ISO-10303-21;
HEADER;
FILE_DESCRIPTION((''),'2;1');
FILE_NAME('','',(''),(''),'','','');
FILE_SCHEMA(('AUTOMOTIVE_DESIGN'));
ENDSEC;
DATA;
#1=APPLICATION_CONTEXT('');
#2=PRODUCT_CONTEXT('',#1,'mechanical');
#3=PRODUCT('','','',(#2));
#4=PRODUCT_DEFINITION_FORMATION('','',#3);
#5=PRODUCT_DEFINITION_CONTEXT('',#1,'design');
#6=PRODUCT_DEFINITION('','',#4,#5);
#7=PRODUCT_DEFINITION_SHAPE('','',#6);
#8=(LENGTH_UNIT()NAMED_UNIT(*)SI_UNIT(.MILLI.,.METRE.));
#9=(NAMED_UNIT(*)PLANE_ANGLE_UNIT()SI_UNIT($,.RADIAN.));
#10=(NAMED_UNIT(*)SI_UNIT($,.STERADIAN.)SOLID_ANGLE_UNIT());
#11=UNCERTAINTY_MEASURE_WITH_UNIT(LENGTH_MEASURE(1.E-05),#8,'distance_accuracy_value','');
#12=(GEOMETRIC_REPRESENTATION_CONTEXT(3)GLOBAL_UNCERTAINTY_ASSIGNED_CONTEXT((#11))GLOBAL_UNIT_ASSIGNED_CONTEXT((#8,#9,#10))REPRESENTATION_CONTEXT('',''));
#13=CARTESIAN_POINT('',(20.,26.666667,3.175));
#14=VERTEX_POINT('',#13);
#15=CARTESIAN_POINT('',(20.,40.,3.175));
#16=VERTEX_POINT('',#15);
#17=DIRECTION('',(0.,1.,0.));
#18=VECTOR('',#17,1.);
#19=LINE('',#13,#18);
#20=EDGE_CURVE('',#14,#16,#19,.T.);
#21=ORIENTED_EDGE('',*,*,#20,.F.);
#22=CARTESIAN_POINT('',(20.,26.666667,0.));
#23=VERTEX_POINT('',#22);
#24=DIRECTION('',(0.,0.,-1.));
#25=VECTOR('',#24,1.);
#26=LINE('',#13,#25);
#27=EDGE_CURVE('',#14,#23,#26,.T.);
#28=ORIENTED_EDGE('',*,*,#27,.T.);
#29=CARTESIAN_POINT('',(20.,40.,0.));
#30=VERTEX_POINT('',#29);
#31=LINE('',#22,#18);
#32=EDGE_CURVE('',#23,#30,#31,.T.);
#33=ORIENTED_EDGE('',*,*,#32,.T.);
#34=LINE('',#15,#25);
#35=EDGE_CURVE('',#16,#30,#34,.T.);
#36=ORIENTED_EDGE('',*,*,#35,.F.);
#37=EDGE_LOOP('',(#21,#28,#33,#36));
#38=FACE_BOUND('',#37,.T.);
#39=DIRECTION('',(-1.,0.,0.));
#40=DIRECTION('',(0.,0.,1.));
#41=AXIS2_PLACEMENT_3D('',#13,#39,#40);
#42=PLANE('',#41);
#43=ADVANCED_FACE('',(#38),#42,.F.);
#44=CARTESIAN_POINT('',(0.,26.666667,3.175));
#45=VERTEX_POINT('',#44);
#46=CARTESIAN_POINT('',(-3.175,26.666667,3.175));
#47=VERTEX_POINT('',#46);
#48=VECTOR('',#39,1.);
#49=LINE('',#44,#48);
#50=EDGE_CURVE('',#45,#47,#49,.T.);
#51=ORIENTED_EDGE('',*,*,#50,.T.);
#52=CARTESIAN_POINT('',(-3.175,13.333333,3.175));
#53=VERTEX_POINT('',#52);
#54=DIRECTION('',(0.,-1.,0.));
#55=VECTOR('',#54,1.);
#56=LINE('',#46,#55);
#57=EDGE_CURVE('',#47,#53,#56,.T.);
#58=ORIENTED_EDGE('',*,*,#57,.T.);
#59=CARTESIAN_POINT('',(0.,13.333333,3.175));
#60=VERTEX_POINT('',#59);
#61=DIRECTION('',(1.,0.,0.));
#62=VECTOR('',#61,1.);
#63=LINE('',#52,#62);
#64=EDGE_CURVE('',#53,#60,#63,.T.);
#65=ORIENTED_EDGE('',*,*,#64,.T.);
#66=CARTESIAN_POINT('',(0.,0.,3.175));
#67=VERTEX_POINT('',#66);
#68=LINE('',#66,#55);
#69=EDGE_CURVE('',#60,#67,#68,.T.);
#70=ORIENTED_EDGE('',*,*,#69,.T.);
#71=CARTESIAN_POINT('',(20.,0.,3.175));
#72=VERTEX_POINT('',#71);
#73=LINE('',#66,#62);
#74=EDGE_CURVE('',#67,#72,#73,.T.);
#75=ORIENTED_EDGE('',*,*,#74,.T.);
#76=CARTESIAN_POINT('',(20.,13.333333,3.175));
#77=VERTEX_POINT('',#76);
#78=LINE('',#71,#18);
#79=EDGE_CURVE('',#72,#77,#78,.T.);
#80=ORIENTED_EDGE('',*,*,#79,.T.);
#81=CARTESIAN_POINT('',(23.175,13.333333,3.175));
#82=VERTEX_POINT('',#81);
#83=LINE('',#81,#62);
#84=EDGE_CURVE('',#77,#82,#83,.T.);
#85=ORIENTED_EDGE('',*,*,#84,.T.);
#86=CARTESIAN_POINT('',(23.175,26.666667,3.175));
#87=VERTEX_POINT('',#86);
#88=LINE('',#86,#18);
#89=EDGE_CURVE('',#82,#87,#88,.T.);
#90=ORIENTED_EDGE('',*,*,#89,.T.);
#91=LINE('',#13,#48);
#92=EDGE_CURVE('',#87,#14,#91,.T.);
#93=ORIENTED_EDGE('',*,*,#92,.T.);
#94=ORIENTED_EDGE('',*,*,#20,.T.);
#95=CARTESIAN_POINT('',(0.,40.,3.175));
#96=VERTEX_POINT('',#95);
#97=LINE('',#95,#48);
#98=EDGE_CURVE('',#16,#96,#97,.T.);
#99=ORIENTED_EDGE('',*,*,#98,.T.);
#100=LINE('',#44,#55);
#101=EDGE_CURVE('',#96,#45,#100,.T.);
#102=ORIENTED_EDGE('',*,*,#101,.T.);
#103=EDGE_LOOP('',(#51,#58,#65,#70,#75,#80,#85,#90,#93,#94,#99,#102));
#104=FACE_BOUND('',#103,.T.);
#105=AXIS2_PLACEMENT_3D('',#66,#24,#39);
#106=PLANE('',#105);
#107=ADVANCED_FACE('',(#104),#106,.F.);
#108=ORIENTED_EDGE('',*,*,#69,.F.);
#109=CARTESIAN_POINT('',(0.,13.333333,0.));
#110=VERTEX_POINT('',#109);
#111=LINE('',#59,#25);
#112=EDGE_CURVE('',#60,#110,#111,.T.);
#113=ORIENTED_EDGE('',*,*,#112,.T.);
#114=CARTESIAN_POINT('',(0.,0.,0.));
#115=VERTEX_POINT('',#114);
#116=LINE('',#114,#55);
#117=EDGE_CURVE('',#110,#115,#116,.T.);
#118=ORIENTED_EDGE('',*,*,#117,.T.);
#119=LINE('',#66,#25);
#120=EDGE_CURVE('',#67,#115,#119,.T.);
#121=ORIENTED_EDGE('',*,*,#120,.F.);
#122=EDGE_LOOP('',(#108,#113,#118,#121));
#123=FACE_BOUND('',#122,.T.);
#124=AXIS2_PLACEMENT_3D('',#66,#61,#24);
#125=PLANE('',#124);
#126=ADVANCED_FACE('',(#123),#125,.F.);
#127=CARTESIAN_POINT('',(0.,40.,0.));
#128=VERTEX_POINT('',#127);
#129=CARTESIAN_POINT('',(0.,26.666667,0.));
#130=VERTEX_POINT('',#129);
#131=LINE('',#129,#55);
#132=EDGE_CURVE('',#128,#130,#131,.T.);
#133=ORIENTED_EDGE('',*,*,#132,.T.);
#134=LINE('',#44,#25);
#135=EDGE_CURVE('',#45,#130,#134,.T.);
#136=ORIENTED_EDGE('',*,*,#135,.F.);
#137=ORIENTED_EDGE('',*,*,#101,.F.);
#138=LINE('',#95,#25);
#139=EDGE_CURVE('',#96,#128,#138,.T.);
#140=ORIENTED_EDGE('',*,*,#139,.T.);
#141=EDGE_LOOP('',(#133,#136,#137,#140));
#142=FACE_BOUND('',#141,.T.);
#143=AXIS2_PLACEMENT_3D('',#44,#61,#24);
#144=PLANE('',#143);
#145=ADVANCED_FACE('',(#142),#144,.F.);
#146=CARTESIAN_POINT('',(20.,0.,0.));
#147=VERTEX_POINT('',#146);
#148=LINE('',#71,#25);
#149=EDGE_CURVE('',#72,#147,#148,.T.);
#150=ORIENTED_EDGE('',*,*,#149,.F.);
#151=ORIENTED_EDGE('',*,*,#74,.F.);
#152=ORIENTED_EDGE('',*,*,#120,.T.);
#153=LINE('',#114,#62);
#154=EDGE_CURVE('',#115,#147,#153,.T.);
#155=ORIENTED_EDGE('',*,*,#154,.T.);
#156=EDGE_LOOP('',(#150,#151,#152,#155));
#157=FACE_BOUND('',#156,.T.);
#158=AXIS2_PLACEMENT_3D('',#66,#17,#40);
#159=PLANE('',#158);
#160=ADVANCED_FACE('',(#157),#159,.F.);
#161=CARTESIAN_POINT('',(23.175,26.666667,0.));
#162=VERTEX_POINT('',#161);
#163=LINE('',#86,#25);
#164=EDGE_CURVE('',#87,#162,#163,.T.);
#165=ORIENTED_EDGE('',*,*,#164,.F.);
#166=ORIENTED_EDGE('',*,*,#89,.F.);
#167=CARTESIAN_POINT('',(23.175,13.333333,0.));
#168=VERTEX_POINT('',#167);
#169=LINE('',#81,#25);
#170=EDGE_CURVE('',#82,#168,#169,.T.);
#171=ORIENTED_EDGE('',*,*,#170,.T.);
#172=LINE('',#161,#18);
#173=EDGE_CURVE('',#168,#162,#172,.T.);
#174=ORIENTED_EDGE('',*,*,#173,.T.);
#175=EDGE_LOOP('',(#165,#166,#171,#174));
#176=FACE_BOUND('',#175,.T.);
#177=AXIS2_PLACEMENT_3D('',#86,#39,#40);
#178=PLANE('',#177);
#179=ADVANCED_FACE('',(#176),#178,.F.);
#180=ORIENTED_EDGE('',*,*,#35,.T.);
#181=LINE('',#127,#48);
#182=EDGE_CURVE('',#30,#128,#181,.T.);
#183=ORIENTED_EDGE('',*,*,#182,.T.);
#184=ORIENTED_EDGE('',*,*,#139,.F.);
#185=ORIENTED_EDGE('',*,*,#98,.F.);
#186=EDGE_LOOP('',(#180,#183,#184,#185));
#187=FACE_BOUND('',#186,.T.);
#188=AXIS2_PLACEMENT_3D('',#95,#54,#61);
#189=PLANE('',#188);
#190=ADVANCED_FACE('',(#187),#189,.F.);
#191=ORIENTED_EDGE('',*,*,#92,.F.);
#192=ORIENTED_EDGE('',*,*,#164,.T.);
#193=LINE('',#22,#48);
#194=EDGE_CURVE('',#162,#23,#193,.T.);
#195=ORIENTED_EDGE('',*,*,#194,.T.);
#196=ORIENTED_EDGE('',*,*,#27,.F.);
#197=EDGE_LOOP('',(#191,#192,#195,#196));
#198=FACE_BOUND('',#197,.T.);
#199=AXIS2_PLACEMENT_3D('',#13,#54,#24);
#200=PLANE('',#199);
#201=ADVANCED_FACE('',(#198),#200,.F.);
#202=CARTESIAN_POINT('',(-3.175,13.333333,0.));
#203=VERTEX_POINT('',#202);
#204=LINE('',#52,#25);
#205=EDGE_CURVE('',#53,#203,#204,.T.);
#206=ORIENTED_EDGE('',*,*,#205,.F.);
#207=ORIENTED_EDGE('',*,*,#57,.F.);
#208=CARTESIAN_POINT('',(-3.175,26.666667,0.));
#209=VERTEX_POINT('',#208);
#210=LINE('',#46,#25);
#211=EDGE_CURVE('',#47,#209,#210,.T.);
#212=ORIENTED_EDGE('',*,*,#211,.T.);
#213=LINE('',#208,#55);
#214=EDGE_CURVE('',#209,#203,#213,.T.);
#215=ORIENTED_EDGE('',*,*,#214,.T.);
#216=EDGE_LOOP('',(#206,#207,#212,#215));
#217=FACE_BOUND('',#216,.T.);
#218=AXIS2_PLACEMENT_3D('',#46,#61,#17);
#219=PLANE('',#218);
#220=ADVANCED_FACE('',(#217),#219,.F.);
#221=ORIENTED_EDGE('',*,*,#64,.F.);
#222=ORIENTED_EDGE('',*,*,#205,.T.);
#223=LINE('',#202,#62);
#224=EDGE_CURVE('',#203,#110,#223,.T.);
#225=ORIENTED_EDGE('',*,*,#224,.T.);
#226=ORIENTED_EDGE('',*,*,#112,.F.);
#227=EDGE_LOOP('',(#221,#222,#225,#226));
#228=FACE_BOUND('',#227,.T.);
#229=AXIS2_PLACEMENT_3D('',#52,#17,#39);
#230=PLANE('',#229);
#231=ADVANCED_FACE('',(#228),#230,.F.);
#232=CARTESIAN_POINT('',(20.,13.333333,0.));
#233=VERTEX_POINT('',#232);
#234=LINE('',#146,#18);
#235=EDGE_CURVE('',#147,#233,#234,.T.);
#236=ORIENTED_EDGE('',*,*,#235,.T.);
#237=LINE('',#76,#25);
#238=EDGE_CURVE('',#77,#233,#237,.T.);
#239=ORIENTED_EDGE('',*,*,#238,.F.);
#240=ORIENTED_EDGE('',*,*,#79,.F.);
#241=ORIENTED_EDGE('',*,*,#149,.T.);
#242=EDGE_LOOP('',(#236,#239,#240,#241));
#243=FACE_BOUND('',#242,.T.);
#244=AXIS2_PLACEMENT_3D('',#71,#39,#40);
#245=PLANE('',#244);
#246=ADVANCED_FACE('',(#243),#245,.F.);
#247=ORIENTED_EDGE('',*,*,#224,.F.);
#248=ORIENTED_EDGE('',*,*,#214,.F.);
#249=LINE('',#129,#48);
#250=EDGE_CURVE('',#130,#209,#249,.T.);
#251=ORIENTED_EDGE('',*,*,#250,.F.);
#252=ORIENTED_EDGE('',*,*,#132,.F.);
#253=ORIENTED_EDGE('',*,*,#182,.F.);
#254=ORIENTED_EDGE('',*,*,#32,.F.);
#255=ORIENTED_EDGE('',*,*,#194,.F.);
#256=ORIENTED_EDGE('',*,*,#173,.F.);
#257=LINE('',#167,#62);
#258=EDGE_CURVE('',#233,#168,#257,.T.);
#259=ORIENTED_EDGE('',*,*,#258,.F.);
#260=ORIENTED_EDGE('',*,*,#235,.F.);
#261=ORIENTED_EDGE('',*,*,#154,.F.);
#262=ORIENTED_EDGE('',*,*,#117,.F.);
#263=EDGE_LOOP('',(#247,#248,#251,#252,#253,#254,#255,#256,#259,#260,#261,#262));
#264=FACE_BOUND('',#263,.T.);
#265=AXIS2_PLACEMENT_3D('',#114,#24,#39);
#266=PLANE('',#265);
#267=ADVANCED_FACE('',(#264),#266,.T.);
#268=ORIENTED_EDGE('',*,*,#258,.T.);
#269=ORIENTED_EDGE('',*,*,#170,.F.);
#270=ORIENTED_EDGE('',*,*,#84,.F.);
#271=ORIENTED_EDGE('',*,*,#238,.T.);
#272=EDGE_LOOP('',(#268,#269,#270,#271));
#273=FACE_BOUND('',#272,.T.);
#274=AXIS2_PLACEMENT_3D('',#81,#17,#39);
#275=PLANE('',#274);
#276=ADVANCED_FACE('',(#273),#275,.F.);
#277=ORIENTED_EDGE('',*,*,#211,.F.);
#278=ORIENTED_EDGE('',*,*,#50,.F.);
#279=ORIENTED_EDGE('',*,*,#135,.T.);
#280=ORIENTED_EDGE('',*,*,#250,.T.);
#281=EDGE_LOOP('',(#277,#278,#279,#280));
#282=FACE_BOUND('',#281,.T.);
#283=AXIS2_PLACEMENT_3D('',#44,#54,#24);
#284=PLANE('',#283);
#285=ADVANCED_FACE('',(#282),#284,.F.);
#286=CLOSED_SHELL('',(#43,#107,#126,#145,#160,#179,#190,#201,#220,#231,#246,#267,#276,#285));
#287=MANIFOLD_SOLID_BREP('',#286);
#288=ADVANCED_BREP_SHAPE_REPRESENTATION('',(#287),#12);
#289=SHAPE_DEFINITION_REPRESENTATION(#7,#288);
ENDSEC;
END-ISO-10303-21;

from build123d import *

# Parameters (mm, degrees)
BOSS_EXTRUDE1_DEPTH = 3.175


with BuildPart() as part:
    # Sketch1 → Boss-Extrude1 (new body)
    with BuildSketch(Plane.XY):
        Polygon((0, 26.666666667), (-3.175, 26.666666667), (-3.175, 13.333333333), (0, 13.333333333), (0, 0), (20, 0), (20, 13.333333333), (23.175, 13.333333333), (23.175, 26.666666667), (20, 26.666666667), (20, 40), (0, 40), align=None)
    extrude(amount=BOSS_EXTRUDE1_DEPTH)


solid = part.part
